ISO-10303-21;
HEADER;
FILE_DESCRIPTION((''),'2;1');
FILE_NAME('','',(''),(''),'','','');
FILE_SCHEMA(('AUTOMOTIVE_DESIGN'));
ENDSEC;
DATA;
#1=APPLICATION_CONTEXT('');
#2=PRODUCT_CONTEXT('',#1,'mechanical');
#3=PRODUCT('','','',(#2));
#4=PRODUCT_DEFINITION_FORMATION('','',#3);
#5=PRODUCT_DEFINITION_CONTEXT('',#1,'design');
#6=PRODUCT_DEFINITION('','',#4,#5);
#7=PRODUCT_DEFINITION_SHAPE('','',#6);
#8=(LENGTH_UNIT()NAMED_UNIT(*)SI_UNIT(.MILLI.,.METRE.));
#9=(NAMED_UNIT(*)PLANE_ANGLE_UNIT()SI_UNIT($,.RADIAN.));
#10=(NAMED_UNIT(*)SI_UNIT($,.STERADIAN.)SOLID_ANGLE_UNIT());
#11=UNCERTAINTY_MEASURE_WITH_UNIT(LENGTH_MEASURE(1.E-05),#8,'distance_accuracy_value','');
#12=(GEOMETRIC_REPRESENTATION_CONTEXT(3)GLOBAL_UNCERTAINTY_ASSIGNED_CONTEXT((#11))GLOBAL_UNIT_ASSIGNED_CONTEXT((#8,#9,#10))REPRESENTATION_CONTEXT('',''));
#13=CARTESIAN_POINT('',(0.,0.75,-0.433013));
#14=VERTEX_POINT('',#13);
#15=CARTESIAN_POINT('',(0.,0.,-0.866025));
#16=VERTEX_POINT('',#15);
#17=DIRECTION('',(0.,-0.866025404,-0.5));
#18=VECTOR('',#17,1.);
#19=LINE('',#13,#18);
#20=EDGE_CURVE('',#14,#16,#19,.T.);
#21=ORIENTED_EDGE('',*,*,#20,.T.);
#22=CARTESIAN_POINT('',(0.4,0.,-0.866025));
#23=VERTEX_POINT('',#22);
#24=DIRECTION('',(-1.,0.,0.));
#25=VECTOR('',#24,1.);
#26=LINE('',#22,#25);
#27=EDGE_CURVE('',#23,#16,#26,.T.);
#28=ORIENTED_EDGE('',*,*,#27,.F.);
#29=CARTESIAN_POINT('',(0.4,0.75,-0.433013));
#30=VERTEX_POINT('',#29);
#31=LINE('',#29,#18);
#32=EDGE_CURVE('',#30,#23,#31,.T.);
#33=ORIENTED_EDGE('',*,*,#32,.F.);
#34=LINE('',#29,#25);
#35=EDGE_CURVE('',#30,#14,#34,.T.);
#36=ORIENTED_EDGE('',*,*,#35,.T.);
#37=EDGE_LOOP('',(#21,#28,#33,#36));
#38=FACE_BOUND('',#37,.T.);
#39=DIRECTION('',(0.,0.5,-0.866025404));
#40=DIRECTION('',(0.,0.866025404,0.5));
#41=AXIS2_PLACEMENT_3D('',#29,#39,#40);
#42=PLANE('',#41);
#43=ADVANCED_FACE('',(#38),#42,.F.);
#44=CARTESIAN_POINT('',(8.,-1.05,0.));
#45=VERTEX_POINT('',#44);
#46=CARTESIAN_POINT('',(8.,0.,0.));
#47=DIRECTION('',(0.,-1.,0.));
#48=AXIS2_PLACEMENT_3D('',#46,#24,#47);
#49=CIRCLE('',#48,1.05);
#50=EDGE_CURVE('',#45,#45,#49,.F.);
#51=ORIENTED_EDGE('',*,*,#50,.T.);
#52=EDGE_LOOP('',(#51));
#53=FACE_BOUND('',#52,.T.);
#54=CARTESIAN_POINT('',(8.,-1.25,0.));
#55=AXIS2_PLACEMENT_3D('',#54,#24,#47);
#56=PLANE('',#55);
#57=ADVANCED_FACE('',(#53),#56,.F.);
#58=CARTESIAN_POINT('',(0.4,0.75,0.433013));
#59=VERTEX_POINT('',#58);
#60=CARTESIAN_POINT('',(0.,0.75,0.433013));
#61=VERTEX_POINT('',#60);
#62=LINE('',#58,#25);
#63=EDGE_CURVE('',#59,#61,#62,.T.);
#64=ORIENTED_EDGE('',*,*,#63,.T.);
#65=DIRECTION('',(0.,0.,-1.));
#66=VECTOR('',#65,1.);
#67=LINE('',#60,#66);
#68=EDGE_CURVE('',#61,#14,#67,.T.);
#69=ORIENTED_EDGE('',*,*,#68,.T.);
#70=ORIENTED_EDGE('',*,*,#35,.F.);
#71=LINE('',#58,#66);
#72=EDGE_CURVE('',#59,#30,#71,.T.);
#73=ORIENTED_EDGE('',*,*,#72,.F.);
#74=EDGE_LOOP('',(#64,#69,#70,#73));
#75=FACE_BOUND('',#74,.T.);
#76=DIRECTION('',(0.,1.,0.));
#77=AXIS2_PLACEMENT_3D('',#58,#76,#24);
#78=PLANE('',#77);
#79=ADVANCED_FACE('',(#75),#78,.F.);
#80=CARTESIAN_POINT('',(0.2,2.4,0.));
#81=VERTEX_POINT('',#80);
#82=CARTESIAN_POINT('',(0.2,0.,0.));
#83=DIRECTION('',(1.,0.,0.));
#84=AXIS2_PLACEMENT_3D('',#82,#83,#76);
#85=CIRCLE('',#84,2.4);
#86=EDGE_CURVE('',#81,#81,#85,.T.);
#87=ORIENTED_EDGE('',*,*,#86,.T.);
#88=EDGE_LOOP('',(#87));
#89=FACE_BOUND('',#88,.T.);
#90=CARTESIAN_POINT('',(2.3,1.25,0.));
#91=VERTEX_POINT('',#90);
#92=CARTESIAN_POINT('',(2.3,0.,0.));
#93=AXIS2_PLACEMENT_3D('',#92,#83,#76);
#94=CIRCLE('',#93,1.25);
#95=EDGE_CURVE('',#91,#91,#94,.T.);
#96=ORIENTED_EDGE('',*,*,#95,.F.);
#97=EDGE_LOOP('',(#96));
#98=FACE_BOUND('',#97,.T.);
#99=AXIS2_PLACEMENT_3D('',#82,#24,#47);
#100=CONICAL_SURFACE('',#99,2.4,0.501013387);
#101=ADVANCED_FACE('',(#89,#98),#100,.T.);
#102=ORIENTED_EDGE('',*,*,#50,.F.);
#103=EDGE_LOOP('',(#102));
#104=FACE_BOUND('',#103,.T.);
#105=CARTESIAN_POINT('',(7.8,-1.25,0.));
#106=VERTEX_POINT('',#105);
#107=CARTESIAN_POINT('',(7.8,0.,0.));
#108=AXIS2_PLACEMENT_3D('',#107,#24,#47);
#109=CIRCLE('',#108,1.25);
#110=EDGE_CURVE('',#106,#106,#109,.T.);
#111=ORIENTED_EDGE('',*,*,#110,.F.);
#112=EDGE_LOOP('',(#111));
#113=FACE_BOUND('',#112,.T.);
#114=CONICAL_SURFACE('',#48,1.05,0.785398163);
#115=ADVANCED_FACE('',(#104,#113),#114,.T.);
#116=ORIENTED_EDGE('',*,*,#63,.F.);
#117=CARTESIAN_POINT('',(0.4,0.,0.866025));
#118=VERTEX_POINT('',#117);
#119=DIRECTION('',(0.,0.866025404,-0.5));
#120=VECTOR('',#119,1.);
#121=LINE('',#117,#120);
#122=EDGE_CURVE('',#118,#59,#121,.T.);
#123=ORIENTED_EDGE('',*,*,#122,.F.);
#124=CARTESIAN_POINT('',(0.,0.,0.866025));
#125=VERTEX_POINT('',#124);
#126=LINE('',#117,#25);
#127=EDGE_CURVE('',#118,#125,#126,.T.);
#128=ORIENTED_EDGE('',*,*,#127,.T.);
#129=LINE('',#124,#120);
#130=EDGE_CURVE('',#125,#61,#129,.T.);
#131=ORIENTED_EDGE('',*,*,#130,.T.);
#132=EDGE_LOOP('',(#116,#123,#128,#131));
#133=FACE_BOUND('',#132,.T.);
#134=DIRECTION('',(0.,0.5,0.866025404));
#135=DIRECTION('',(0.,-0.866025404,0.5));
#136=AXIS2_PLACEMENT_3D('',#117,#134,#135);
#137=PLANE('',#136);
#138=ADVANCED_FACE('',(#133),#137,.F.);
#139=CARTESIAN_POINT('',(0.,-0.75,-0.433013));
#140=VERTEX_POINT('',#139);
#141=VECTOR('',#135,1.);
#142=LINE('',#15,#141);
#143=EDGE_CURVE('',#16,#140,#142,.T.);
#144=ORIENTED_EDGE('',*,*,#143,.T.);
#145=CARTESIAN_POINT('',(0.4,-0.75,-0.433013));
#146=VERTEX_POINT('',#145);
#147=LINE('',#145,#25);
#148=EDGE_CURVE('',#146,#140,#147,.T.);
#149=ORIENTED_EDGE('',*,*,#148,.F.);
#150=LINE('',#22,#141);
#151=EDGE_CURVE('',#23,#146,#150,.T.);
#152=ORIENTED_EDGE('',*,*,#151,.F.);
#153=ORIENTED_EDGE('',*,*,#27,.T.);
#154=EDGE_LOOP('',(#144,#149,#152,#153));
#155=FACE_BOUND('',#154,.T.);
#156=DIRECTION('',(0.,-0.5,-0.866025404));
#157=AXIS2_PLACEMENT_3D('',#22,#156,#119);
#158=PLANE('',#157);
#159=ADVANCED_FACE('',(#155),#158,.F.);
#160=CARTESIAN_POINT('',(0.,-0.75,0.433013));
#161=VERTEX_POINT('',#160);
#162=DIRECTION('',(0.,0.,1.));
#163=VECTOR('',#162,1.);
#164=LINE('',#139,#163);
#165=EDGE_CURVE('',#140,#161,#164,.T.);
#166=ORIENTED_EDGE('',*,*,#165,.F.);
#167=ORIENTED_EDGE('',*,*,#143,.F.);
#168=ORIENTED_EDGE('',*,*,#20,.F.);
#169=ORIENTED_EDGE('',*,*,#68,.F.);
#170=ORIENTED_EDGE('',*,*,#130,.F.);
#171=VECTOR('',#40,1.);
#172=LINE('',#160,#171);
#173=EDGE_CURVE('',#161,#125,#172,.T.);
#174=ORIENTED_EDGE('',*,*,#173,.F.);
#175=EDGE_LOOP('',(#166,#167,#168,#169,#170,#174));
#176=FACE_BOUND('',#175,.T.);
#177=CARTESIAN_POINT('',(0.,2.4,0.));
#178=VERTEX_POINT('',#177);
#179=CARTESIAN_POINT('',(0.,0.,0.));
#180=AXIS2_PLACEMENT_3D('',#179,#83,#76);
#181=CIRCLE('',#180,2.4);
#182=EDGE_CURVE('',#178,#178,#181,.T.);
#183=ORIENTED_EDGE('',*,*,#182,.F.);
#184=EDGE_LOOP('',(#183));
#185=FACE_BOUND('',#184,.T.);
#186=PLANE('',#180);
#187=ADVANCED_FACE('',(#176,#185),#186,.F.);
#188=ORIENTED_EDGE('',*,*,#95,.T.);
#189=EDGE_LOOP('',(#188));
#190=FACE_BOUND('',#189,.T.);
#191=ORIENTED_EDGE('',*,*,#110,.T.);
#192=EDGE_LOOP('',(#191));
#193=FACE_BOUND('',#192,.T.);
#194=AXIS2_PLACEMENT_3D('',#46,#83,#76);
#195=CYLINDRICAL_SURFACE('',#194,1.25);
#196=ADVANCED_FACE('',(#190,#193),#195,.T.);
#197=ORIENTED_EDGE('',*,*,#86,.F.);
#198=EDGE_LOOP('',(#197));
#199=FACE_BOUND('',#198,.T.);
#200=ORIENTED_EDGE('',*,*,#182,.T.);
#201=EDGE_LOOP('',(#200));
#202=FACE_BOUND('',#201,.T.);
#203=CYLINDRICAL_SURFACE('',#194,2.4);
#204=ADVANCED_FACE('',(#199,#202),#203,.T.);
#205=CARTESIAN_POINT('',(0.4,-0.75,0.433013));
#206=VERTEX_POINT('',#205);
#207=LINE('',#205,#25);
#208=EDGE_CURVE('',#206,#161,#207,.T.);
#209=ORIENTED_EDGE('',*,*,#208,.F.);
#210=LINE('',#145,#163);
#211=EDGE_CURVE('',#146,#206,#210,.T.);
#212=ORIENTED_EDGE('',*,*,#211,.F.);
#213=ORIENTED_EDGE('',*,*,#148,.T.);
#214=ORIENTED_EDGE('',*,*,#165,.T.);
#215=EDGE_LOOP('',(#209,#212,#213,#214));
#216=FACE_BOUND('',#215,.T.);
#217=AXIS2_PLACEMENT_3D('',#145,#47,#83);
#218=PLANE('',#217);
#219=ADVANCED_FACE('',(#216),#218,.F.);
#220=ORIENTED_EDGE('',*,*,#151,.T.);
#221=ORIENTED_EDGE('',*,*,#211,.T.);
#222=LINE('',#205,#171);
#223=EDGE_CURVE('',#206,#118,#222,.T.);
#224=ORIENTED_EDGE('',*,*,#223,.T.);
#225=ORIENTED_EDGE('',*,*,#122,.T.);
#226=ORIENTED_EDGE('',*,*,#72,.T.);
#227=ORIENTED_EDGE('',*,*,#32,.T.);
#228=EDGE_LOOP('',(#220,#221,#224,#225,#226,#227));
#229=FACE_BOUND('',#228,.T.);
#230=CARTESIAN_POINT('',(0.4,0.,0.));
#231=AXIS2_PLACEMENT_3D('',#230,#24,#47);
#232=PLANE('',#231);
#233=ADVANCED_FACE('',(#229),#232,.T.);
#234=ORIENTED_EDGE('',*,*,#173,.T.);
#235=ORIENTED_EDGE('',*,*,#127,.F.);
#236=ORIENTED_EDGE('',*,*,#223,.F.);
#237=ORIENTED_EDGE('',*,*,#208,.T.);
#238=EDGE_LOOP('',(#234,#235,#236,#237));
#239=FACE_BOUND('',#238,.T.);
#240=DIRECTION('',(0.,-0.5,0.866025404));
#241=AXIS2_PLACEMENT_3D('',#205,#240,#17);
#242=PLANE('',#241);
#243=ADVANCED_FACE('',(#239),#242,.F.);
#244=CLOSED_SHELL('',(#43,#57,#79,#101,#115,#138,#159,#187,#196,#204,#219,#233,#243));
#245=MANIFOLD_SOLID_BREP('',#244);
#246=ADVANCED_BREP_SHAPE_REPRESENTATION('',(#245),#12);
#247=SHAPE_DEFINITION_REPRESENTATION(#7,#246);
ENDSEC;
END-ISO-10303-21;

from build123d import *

# Parameters (mm, degrees)
CUT_EXTRUDE_1_DEPTH = 0.4
CHAMFER_1_SIZE      = 0.2


with BuildPart() as part:
    # 草图1 → 旋转1 (revolve)
    with BuildSketch(Plane.XY, mode=Mode.PRIVATE) as revolve_1_sk:
        Polygon((0, 0), (0, -2.4), (0.2, -2.4), (2.3, -1.25), (8, -1.25), (8, 0), align=None)
    revolve(revolve_1_sk.sketch.rotate(Axis((8, 0, 0), (-1, 0, 0)), 180), axis=Axis((8, 0, 0), (-1, 0, 0)))

    # 草图2 → 切除-拉伸1 (cut)
    with BuildSketch(Plane.ZY):
        Polygon((0.866025404, 0), (0.433012702, 0.75), (-0.433012702, 0.75), (-0.866025404, 0), (-0.433012702, -0.75), (0.433012702, -0.75), align=None)
    extrude(amount=-CUT_EXTRUDE_1_DEPTH, mode=Mode.SUBTRACT)

    # 倒角1
    chamfer_1_edges = [part.edges().sort_by_distance(p)[0] for p in [
        (8, -1.25, 0),
    ]]
    chamfer(chamfer_1_edges, length=CHAMFER_1_SIZE)


solid = part.part
